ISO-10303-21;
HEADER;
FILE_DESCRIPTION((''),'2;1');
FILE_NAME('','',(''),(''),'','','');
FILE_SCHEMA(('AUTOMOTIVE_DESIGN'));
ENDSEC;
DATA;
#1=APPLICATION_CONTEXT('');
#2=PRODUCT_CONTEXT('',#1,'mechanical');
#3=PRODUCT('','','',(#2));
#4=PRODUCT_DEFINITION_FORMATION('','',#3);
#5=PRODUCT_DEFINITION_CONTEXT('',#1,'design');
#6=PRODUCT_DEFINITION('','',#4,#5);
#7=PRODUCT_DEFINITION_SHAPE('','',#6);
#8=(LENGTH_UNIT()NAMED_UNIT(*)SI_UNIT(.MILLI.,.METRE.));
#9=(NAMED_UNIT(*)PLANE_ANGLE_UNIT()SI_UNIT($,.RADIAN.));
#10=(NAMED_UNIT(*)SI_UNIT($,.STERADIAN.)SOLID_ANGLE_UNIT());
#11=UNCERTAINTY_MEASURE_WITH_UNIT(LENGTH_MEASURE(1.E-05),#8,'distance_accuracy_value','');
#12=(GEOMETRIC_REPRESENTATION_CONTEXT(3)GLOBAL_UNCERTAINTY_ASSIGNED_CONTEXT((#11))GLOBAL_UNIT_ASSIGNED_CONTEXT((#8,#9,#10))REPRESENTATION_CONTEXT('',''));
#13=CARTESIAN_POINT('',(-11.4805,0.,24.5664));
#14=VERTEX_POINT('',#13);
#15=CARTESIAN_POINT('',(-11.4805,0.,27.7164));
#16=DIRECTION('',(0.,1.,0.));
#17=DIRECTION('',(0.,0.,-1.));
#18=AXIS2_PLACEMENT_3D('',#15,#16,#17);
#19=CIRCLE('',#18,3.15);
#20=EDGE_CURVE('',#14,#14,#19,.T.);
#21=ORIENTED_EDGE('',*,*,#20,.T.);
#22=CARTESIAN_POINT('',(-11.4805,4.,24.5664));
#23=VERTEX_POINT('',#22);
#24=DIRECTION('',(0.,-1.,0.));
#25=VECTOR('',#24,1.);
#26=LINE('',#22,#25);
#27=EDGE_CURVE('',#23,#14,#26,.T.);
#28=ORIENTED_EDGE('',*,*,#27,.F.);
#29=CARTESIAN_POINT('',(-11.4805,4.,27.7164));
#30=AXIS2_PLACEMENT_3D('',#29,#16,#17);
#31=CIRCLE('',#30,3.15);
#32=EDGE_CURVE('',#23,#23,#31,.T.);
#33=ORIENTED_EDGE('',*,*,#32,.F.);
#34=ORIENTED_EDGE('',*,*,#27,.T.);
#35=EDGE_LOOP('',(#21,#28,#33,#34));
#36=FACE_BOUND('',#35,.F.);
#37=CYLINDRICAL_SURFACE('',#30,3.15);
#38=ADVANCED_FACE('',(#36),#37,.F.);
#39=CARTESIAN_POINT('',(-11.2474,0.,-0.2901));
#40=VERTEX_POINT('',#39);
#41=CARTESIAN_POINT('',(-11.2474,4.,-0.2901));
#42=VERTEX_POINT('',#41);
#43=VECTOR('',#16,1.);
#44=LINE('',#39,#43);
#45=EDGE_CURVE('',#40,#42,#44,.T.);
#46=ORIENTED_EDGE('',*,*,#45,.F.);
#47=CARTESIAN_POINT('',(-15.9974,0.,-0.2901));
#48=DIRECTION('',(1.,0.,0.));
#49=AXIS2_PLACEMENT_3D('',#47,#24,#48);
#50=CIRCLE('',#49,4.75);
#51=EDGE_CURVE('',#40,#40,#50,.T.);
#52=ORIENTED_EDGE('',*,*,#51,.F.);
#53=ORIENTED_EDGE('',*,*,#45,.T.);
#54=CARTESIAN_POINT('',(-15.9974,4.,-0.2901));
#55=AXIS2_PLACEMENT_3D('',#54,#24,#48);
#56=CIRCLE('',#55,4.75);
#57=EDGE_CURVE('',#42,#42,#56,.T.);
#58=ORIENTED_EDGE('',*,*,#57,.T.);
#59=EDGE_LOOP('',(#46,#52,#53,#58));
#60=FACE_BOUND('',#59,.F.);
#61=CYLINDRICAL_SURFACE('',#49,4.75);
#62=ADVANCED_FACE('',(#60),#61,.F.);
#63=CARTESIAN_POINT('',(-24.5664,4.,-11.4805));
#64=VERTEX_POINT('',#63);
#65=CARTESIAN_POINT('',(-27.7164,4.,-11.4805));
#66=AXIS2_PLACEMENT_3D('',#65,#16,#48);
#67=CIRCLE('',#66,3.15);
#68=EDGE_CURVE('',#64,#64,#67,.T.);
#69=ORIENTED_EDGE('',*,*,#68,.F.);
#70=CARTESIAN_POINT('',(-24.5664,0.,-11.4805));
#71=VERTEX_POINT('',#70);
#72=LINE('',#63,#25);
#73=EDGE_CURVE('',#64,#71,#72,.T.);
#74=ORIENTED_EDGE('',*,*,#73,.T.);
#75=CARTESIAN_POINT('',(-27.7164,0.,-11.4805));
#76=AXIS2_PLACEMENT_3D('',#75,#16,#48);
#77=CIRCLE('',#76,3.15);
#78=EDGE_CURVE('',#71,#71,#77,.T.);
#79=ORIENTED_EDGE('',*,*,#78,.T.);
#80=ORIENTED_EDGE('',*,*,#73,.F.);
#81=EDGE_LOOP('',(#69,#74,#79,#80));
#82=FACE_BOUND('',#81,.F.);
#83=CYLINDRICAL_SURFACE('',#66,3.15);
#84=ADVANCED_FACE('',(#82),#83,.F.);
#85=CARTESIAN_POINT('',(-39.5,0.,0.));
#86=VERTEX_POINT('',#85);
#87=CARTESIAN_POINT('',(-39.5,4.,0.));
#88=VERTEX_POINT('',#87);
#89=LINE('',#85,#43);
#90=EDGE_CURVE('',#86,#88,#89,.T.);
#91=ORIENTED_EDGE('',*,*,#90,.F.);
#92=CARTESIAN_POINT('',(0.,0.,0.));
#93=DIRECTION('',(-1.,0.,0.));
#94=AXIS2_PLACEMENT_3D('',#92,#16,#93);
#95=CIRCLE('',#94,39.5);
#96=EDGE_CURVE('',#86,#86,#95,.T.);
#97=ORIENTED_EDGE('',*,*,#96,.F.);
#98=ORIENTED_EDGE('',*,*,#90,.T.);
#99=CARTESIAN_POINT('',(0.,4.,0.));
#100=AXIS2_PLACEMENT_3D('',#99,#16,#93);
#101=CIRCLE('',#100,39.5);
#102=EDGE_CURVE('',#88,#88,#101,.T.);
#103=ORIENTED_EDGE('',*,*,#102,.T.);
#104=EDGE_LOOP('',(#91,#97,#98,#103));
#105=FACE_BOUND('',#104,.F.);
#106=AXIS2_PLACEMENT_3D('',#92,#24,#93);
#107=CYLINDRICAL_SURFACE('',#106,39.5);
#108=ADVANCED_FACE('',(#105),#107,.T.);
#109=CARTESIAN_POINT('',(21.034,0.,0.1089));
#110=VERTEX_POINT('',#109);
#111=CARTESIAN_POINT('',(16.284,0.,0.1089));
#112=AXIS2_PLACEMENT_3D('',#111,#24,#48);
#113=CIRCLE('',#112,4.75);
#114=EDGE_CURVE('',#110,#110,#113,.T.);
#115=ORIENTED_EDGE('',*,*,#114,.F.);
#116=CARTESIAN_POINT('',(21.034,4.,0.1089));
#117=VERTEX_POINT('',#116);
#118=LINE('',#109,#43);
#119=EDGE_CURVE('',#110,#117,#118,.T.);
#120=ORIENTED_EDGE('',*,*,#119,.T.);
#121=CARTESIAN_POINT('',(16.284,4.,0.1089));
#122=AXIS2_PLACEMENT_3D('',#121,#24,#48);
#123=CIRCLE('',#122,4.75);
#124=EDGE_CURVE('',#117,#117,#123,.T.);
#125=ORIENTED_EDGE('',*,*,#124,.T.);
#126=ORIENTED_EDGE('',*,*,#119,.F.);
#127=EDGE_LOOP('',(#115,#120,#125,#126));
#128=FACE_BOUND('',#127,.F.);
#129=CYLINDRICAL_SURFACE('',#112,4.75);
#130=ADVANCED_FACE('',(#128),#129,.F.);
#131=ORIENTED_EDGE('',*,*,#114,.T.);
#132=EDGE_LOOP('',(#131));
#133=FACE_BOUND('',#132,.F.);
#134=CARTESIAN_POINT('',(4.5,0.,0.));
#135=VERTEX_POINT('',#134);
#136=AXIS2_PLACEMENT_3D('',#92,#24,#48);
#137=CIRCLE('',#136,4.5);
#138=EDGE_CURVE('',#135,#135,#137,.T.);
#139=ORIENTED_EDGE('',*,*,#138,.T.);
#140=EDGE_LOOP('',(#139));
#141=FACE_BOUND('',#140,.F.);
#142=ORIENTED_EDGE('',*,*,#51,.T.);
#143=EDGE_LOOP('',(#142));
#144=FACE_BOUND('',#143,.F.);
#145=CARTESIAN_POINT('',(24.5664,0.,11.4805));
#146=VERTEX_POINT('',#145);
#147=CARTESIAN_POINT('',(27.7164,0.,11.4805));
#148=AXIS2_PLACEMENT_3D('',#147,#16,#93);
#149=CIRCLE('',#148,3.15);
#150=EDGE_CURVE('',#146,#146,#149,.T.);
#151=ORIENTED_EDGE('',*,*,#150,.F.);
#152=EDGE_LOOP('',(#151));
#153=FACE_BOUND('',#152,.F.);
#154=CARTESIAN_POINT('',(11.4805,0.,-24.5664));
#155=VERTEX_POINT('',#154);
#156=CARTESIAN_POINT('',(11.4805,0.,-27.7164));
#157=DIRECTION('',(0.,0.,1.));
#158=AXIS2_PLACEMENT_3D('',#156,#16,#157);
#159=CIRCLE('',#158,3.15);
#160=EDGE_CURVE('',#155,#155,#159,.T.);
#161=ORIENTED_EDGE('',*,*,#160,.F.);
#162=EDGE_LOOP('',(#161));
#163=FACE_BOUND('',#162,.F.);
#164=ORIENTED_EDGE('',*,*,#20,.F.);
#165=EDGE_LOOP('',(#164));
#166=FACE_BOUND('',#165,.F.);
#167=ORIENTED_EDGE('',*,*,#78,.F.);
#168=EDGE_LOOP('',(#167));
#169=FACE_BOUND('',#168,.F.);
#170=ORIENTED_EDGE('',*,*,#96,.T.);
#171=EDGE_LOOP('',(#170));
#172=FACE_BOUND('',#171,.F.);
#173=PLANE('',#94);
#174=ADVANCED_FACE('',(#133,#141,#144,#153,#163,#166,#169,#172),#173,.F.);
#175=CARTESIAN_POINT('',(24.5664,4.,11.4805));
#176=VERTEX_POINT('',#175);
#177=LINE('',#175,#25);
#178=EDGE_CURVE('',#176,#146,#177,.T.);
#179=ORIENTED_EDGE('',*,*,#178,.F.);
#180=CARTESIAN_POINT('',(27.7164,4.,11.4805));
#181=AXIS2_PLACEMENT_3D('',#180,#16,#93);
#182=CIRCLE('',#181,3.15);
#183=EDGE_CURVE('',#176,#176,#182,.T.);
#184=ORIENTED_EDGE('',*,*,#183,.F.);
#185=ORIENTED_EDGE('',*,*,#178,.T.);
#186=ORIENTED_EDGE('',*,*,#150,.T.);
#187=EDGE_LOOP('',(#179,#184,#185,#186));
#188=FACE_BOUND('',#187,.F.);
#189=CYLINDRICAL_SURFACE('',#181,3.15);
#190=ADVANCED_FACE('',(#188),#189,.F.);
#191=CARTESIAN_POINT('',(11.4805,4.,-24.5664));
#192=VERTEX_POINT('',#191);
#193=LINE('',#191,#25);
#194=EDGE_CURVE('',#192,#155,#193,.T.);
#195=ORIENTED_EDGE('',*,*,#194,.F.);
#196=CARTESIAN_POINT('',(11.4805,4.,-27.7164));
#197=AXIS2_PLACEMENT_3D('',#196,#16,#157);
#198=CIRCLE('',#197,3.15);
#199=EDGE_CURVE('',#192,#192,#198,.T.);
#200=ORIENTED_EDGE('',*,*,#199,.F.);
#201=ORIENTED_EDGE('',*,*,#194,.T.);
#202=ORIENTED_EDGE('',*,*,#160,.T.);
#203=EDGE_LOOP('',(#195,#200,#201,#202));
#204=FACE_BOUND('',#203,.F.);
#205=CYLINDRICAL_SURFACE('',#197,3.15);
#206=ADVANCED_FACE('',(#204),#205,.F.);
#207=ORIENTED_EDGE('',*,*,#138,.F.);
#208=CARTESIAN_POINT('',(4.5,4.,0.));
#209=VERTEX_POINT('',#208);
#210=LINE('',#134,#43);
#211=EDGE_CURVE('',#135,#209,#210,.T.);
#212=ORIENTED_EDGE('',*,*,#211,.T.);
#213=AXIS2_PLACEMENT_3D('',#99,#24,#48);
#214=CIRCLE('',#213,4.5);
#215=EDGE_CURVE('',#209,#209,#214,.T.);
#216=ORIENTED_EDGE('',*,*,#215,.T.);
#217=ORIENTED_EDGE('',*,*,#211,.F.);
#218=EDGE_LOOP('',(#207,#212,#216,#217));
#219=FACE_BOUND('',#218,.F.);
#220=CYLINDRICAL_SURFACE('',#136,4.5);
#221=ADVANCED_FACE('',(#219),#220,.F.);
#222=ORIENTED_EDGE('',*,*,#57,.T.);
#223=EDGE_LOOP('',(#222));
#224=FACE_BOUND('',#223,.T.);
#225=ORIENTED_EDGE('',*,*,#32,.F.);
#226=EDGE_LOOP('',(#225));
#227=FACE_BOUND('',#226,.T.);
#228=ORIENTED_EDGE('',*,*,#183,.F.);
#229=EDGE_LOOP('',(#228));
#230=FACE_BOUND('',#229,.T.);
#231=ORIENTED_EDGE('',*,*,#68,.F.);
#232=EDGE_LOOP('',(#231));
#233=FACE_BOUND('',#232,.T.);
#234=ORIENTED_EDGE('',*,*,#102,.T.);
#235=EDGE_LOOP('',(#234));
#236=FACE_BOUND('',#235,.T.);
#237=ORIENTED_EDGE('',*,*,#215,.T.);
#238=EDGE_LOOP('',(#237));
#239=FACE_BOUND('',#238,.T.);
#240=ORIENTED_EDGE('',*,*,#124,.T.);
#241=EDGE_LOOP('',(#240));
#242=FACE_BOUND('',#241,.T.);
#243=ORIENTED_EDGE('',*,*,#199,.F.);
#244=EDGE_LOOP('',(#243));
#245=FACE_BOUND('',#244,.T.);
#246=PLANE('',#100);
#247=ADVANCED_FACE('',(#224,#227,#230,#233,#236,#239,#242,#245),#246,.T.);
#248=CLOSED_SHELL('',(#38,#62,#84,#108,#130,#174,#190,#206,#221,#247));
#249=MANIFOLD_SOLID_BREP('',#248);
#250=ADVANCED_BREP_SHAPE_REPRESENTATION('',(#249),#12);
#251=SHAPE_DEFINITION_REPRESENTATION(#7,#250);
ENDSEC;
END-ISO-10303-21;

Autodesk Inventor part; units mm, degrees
ref_plane "YZ Plane" through (0, 0, 0) normal (1, 0, 0) x (0, 1, 0)
ref_plane "XZ Plane" through (0, 0, 0) normal (0, 1, 0) x (-1, 0, 0)
ref_plane "XY Plane" through (0, 0, 0) normal (0, 0, 1) x (1, 0, 0)
sketch "Эскиз1" plane through (0, 0, 0) normal (0, 1, 0) x (-1, 0, 0)
  circle A0 centre (0, 0) radius 39.5
  circle A1 centre (0, 0) radius 4
  dimension "d0" = 79
  dimension "d3" = 8
extrude "Выдавливание2" add sketch "Эскиз1" along normal blind 4
sketch "Эскиз3" plane through (0, 0, 0) normal (0, -1, 0) x (1, 0, 0)
  circle A0 centre (16.284, 0.1089) radius 4.75 projected
  circle A1 centre (-15.9974, -0.2901) radius 4.75 projected
  circle A2 centre (0, 0) radius 4.5
  dimension "d8" = 9
extrude "Выдавливание3" cut sketch "Эскиз3" against normal blind 4
sketch "Эскиз4" plane through (0, 4, 0) normal (0, 1, 0) x (1, 0, 0)
  circle A0 centre (-27.7164, 11.4805) radius 4 construction
  circle A1 centre (-27.7164, 11.4805) radius 3.15
  point P0 (0, 0)
  dimension "d11" = 6.3
extrude "Выдавливание4" cut sketch "Эскиз4" against normal blind 4
pattern_circular "Круговой массив1" count 4 over 360 about axis through (0, 0, 0) along (0, 1, 0) of "Выдавливание4"
properties part number "Prostavka"
